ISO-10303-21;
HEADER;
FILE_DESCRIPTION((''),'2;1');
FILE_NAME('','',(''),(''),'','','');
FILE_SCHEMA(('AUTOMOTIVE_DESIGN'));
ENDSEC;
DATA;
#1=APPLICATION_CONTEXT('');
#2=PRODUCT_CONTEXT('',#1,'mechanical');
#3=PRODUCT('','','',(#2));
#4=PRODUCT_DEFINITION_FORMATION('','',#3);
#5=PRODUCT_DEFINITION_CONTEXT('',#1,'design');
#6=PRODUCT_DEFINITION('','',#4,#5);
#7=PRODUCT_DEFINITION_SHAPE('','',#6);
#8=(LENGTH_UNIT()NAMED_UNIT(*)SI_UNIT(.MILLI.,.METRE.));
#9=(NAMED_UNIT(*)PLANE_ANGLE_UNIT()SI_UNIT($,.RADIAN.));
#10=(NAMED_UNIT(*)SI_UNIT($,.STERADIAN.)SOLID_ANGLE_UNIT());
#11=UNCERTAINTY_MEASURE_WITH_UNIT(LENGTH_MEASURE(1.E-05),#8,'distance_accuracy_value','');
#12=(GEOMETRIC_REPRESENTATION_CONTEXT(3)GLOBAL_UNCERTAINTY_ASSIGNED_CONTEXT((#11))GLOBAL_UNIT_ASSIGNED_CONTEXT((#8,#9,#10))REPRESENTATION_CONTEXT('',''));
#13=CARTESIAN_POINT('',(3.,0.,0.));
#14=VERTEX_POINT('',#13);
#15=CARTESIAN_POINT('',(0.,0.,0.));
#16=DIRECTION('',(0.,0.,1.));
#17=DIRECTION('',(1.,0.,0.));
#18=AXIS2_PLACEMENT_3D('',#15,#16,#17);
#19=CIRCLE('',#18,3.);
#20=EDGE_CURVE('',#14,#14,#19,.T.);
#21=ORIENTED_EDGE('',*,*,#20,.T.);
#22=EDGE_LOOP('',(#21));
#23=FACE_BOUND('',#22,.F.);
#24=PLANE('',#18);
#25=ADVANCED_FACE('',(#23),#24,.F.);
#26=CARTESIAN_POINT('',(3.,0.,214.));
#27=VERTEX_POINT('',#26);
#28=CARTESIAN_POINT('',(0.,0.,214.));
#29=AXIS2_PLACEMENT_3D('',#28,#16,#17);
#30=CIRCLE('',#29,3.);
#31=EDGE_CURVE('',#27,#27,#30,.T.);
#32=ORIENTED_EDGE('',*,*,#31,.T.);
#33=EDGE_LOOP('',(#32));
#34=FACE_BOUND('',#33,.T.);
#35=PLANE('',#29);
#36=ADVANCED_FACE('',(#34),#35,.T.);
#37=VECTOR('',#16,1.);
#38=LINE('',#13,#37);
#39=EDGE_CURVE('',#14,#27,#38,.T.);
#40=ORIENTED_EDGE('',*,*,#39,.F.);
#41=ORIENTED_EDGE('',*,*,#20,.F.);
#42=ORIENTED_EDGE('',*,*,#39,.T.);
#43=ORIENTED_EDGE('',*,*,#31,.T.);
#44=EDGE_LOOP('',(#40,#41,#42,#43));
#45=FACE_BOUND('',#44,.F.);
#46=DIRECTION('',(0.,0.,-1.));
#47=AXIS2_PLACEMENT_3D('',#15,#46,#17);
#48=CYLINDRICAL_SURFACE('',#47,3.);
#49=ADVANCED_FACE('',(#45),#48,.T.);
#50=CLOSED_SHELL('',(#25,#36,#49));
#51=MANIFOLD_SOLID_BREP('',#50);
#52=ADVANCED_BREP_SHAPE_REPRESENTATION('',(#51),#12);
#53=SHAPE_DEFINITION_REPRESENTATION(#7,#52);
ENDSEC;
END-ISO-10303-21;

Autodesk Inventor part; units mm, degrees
ref_plane "YZ Plane" through (0, 0, 0) normal (1, 0, 0) x (0, 1, 0)
ref_plane "XZ Plane" through (0, 0, 0) normal (0, 1, 0) x (-1, 0, 0)
ref_plane "XY Plane" through (0, 0, 0) normal (0, 0, 1) x (1, 0, 0)
sketch "Эскиз1" plane through (0, 0, 0) normal (0, 0, 1) x (1, 0, 0)
  circle A0 centre (0, 0) radius 3
  dimension "d0" = 6
extrude "Выдавливание1" add sketch "Эскиз1" along normal blind 214
ref_plane "РабПлоскость1" through (0, 0, 164) normal (0, 0, 1) x (1, 0, 0)
sketch "Эскиз2" plane through (0, 0, 164) normal (0, 0, 1) x (1, 0, 0)
  circle A0 centre (0, 0) radius 7.5
  dimension "d4" = 15
properties part number "сосало 25-26"
